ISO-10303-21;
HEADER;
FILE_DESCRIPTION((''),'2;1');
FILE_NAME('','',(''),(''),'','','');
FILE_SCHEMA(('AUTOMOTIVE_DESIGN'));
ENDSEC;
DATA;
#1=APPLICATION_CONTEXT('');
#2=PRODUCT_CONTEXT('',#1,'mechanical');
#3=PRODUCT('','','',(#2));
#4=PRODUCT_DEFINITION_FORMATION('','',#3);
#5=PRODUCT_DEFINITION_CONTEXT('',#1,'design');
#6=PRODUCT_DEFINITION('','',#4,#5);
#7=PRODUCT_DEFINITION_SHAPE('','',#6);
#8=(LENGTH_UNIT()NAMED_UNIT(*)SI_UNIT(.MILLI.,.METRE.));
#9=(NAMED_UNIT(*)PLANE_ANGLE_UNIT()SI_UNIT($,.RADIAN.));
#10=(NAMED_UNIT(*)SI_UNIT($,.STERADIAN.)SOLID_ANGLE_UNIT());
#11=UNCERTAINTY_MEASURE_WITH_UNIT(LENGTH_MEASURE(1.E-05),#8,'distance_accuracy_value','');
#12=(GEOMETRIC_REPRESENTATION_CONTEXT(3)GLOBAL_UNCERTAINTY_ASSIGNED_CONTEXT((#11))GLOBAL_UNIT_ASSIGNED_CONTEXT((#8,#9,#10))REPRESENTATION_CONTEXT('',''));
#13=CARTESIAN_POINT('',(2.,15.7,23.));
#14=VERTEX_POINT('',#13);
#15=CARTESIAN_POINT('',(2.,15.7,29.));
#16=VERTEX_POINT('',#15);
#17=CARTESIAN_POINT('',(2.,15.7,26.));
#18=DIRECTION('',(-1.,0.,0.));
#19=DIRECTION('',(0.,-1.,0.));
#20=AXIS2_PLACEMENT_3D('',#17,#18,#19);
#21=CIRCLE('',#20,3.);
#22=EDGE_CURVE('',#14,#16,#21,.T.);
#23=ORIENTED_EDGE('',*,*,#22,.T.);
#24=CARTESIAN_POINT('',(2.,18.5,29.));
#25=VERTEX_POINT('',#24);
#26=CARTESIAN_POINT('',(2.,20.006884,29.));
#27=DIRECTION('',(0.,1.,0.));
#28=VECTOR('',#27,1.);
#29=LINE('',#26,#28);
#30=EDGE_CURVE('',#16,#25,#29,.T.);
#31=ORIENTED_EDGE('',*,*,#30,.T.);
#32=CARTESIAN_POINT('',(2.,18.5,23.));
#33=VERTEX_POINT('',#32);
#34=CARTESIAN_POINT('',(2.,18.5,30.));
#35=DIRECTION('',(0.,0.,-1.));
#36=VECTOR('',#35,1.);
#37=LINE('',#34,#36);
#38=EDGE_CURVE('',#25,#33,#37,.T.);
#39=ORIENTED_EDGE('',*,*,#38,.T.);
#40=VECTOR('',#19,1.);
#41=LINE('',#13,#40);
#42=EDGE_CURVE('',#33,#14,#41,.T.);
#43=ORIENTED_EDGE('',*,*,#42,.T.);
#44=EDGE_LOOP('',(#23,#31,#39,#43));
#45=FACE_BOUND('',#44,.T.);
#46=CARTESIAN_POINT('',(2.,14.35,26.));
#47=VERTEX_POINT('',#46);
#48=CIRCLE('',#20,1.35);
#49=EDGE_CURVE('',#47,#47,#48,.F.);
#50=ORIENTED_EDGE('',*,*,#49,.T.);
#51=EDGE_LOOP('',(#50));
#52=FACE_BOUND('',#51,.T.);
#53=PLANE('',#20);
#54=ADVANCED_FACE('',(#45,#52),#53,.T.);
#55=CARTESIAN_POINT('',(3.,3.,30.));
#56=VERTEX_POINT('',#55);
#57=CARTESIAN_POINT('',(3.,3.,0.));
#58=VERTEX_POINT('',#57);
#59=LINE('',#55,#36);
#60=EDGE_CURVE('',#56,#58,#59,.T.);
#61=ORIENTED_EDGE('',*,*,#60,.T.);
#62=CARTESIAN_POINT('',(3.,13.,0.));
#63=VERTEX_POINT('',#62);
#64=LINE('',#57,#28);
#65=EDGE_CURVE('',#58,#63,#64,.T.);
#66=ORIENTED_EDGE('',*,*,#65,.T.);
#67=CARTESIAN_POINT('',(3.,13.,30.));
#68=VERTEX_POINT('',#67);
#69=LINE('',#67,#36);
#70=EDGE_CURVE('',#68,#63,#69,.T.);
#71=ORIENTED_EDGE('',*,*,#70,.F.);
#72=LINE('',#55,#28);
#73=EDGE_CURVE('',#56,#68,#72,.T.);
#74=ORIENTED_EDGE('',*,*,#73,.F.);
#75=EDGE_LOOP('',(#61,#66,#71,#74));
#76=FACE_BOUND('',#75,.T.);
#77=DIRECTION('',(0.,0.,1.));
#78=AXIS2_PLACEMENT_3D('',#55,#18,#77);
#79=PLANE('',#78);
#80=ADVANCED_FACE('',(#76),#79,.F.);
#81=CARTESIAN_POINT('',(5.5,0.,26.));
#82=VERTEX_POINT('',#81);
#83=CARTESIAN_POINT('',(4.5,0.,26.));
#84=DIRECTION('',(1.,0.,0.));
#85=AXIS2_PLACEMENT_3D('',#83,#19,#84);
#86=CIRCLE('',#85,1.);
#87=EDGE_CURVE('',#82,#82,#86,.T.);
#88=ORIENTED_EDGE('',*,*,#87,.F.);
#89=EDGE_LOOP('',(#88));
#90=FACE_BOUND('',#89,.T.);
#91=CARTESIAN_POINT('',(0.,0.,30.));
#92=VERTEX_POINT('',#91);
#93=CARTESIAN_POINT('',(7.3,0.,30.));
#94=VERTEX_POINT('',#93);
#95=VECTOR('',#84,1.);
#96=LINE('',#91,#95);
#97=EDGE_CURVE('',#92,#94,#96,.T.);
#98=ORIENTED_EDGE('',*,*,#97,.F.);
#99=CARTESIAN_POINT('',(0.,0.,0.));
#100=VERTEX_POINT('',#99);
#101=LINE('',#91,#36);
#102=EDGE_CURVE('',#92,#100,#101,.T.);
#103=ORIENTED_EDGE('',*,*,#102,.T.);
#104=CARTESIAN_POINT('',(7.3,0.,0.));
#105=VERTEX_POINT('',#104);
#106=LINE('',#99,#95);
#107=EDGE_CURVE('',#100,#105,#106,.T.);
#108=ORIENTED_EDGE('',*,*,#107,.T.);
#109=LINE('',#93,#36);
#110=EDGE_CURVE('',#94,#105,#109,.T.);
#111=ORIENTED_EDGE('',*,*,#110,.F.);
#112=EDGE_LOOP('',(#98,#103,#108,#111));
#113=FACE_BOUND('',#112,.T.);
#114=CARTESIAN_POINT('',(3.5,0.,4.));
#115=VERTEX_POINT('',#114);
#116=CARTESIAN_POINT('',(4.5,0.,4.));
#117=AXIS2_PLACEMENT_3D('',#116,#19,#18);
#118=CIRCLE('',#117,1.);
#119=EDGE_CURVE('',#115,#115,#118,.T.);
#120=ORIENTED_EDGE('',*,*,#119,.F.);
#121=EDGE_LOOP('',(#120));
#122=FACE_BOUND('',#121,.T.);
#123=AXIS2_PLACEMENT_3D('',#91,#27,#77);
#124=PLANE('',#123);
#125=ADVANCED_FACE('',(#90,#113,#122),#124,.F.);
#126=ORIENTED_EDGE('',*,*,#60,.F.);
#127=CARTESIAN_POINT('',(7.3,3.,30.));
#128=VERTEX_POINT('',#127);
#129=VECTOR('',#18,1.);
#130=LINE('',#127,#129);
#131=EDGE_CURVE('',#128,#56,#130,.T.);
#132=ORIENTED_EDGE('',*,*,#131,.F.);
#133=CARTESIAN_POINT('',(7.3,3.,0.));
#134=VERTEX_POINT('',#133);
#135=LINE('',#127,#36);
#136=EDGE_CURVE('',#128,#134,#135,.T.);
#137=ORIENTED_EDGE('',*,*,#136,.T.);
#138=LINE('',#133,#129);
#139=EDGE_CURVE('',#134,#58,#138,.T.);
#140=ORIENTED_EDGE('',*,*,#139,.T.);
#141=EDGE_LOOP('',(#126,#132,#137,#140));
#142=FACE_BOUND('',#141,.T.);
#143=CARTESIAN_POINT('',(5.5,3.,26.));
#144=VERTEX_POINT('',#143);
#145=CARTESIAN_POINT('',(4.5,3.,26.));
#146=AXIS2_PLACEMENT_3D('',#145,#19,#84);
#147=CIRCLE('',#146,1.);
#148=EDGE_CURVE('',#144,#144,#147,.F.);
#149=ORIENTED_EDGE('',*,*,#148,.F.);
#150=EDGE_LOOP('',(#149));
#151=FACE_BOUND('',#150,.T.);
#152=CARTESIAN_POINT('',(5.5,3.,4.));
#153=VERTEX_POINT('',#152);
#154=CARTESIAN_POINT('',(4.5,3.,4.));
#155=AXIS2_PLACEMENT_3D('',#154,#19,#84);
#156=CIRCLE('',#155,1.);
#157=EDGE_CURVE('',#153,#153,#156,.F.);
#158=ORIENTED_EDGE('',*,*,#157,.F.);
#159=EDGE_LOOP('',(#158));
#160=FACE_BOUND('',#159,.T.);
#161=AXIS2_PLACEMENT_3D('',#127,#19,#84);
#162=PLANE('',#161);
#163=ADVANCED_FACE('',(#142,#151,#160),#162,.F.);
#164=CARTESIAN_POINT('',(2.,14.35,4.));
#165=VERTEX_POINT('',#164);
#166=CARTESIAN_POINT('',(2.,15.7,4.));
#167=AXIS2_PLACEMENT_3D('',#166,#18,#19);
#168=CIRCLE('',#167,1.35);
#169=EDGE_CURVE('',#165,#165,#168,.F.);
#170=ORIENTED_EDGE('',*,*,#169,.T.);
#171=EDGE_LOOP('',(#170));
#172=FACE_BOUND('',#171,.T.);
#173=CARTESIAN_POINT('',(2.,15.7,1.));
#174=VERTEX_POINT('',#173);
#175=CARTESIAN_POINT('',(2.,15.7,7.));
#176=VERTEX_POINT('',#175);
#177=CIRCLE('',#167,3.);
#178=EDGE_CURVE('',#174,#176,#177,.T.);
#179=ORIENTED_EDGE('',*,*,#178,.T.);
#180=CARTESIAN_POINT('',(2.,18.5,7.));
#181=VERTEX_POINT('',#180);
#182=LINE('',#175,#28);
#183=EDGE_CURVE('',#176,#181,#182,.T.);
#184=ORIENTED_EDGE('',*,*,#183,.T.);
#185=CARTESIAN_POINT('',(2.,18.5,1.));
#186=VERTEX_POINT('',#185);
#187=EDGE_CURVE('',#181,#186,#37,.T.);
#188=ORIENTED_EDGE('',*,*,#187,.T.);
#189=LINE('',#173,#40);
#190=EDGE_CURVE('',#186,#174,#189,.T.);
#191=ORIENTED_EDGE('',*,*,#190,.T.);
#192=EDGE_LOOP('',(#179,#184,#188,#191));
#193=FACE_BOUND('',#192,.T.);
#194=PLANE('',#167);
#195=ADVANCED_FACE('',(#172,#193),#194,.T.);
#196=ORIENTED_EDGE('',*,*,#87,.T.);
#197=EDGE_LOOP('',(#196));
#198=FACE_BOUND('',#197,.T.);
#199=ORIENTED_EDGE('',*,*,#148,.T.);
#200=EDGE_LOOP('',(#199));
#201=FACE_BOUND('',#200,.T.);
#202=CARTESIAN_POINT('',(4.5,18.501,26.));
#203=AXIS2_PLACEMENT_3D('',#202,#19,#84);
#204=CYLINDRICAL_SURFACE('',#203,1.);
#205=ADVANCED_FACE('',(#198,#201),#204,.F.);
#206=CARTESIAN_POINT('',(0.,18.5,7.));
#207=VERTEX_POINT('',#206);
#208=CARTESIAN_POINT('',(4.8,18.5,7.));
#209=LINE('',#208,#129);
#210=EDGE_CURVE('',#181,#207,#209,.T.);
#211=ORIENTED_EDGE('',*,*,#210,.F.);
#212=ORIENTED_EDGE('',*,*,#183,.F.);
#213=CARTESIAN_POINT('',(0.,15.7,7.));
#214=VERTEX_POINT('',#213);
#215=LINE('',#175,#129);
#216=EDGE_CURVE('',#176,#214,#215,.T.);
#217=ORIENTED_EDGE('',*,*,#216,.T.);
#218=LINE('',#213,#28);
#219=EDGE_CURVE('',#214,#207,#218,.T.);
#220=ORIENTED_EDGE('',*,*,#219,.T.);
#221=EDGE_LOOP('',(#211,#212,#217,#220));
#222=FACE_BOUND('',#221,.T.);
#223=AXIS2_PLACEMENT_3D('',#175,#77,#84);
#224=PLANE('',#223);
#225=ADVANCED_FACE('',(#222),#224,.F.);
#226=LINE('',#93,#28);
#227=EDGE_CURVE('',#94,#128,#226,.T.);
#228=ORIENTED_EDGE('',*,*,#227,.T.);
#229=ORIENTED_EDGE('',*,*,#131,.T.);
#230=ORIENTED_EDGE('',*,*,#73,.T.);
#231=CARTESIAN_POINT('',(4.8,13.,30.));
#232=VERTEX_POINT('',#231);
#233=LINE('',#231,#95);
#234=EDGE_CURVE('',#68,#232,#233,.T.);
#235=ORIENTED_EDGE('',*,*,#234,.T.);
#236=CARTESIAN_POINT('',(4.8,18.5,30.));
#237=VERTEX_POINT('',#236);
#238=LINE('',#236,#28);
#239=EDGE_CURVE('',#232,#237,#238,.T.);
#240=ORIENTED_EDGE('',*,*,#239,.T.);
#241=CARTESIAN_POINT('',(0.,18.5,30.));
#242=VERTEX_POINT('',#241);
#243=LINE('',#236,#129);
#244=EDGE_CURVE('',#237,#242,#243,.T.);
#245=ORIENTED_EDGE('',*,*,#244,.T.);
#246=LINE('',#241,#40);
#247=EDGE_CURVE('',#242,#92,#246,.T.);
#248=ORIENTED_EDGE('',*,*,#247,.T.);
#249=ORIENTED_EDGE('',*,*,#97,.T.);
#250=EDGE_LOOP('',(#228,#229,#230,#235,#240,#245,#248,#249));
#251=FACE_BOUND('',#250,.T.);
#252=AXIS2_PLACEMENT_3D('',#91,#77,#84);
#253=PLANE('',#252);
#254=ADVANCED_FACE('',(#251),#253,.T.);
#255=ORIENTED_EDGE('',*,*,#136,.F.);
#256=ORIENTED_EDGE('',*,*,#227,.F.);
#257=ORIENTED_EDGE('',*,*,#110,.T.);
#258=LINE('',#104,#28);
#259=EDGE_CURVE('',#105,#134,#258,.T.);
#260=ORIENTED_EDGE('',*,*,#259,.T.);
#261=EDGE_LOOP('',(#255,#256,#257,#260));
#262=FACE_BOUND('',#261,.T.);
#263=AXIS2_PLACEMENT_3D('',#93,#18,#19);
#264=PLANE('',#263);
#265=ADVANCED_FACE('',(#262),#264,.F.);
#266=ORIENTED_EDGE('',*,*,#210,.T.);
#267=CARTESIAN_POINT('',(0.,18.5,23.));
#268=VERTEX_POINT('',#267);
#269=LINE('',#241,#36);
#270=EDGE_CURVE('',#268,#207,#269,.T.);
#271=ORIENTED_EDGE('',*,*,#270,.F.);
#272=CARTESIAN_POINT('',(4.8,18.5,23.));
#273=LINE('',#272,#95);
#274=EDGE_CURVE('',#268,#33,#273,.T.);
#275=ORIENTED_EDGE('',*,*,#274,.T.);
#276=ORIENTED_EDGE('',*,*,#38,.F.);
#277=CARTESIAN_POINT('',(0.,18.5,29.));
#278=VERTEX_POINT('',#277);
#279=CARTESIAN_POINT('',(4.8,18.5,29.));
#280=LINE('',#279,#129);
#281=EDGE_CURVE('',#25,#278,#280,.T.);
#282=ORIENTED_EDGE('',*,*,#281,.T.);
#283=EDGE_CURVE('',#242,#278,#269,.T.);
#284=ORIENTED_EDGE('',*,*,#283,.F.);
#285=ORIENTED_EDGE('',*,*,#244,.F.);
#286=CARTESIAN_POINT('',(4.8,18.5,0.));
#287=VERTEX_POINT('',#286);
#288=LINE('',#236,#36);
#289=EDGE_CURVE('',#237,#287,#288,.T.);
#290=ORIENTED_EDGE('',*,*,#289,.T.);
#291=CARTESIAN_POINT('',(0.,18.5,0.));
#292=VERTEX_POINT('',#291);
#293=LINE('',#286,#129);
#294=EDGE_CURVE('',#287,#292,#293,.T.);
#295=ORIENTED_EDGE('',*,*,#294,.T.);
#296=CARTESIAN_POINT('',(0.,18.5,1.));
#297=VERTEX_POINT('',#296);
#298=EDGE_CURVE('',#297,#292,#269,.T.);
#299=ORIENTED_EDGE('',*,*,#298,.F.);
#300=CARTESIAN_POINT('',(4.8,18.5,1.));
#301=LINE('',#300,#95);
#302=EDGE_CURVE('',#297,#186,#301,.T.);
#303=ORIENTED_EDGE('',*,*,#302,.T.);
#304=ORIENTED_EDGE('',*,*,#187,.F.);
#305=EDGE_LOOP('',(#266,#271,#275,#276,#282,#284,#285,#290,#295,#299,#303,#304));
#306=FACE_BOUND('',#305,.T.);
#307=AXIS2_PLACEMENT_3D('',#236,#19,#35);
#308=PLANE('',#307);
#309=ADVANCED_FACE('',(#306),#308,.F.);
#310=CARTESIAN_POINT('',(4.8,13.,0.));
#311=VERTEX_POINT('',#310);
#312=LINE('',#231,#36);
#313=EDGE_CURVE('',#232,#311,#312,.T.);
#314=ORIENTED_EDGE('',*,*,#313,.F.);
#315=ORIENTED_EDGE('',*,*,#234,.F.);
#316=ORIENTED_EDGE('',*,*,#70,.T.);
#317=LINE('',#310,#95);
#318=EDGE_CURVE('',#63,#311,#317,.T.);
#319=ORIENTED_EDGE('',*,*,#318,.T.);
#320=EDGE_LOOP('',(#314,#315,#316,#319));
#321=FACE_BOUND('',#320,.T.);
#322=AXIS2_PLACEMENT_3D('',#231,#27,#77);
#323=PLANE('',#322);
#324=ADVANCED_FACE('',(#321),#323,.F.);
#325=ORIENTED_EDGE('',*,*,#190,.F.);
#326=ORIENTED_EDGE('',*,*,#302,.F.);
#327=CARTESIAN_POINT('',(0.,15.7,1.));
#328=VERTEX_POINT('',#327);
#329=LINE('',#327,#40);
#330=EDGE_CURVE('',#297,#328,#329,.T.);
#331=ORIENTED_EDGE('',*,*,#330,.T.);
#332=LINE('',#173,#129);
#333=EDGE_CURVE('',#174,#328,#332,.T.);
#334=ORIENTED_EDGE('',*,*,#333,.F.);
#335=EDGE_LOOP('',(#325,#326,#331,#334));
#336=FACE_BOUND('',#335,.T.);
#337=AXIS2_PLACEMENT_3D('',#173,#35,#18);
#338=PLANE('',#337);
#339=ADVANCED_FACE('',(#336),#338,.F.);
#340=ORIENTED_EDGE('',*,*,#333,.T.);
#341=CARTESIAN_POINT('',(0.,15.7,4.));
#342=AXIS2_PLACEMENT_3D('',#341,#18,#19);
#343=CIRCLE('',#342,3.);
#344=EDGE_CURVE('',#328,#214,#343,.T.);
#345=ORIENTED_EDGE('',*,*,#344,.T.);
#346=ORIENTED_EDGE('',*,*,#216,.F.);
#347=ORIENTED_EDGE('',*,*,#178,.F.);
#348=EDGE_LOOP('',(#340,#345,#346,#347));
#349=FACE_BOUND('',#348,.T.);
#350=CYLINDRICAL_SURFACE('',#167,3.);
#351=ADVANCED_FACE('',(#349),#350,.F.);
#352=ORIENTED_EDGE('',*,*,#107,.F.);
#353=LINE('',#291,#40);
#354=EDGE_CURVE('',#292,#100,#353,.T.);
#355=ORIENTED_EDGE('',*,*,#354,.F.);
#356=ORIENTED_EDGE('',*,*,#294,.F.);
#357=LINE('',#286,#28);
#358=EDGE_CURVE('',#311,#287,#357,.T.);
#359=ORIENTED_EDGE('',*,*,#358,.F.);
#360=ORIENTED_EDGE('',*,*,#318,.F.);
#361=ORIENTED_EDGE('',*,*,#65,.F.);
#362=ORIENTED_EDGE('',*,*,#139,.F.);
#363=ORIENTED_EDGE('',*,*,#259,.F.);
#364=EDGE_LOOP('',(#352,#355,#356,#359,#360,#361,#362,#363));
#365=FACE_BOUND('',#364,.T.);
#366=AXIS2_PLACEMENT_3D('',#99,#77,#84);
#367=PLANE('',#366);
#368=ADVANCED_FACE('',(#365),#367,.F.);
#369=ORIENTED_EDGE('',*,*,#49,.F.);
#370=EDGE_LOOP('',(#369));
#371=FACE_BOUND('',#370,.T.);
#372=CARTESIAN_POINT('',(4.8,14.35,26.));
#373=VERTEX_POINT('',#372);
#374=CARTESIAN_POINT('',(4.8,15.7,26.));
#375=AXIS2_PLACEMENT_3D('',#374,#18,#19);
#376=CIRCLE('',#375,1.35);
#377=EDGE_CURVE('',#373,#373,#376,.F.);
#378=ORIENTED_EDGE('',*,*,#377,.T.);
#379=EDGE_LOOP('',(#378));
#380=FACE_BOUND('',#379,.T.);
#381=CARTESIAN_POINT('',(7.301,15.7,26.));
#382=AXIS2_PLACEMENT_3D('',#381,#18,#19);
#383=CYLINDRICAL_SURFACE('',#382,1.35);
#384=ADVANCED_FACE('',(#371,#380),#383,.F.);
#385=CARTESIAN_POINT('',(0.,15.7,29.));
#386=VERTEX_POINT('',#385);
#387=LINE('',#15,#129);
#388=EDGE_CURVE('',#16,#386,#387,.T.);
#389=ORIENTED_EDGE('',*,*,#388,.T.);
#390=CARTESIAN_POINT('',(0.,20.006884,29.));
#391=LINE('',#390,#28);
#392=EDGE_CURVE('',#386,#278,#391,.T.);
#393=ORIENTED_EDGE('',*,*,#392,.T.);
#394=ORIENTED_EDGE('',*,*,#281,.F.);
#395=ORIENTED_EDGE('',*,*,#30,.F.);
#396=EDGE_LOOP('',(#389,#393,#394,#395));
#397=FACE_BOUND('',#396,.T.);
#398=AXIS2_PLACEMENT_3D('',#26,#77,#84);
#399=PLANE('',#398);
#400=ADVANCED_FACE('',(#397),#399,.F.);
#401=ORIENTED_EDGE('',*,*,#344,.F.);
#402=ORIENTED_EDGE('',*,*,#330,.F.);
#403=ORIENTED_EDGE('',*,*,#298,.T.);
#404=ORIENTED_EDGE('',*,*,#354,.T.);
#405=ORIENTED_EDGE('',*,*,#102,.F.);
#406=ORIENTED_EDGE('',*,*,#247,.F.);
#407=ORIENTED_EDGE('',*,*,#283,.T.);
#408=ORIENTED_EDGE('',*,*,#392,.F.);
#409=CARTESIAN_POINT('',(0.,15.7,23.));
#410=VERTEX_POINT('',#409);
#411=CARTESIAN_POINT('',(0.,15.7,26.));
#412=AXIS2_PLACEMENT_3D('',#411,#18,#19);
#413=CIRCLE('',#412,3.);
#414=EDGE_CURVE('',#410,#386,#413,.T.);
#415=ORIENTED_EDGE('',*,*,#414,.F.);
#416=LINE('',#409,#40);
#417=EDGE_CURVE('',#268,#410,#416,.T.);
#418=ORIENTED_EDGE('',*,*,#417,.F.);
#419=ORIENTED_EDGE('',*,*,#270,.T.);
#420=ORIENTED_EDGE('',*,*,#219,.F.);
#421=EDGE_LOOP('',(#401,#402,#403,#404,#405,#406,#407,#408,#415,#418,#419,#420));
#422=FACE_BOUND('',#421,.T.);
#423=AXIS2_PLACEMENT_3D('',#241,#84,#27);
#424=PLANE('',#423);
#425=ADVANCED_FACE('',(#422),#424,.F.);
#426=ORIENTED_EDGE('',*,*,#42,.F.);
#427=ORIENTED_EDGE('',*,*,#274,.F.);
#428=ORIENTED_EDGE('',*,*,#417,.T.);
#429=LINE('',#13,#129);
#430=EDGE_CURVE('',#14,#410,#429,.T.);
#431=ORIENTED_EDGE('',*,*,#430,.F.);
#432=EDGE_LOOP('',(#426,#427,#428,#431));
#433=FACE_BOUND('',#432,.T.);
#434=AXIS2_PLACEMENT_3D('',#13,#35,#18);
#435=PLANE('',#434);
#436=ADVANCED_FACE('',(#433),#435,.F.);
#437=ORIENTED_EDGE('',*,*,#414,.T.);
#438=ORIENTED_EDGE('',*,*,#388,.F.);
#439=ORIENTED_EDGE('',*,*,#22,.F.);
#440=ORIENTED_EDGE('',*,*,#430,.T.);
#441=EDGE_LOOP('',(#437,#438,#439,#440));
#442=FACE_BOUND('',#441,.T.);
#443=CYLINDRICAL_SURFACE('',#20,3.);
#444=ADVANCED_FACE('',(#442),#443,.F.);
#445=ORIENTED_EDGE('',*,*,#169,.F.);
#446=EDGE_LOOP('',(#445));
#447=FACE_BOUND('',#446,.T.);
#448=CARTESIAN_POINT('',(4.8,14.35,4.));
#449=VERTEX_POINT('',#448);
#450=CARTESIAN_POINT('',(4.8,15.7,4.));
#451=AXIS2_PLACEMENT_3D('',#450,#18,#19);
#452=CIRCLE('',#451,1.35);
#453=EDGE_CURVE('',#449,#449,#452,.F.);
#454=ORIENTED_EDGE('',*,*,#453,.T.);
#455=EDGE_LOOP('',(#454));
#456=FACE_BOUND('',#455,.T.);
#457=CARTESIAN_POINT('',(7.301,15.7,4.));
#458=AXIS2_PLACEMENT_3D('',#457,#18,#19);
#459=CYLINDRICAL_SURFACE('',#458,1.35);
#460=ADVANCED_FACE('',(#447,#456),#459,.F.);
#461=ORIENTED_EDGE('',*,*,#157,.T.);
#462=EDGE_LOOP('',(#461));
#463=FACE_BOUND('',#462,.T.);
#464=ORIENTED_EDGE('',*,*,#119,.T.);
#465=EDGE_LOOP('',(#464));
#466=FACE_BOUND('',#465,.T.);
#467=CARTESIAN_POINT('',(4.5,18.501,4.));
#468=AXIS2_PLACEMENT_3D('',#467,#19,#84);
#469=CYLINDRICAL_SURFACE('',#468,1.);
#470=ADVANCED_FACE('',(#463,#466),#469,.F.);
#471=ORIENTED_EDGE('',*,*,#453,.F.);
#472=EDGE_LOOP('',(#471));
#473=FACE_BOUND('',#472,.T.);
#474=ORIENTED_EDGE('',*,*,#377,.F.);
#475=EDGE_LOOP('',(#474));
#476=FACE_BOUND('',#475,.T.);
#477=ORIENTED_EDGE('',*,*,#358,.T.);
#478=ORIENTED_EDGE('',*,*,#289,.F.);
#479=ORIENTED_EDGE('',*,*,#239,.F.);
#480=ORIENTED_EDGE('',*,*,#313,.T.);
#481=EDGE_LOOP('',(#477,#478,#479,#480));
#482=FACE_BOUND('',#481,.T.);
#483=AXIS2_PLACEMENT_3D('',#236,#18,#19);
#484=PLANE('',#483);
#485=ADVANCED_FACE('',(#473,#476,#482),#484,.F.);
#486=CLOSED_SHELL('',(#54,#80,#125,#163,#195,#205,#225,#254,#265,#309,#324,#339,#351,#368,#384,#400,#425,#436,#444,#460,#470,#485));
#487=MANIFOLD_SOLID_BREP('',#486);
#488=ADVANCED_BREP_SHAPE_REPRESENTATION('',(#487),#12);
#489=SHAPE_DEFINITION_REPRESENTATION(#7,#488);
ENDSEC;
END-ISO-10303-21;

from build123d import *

# Parameters (mm, degrees)
EXTRUDE_1_DEPTH     = 30
CUT_EXTRUDE_1_REACH = 37.994
SKETCH_2_R          = 1
CUT_EXTRUDE_2_REACH = 37.994
SKETCH_3_R          = 1.35
CUT_EXTRUDE_3_DEPTH = 2


with BuildPart() as part:
    # 草图1 → 凸台-拉伸1 (new body)
    with BuildSketch(Plane.XY):
        Polygon((0, 0), (7.3, 0), (7.3, 3), (3, 3), (3, 13), (4.8, 13), (4.8, 18.5), (0, 18.5), align=None)
    extrude(amount=EXTRUDE_1_DEPTH)

    # 草图2 → 切除-拉伸1 (cut, up to next)
    with BuildSketch(Plane.XZ, mode=Mode.PRIVATE) as cut_extrude_1_sk1:
        with Locations((4.5, 26)):
            Circle(SKETCH_2_R)
    cut_extrude_1_tool1 = extrude(cut_extrude_1_sk1.sketch, amount=-CUT_EXTRUDE_1_REACH, mode=Mode.PRIVATE) & part.part
    # 草图2 → 切除-拉伸1 (cut, up to next)
    with BuildSketch(Plane.XZ, mode=Mode.PRIVATE) as cut_extrude_1_sk2:
        with Locations((4.5, 4)):
            Circle(SKETCH_2_R)
    cut_extrude_1_tool2 = extrude(cut_extrude_1_sk2.sketch, amount=-CUT_EXTRUDE_1_REACH, mode=Mode.PRIVATE) & part.part
    add(cut_extrude_1_tool1.solids().sort_by_distance((4.5, 0, 26))[0], mode=Mode.SUBTRACT)
    add(cut_extrude_1_tool2.solids().sort_by_distance((4.5, 0, 4))[0], mode=Mode.SUBTRACT)

    # 草图3 → 切除-拉伸2 (cut, up to next)
    with BuildSketch(Plane.ZY, mode=Mode.PRIVATE) as cut_extrude_2_sk1:
        with Locations(Location((4, 15.7, 0), (0, 0, 270))):
            Circle(SKETCH_3_R)
    cut_extrude_2_tool1 = extrude(cut_extrude_2_sk1.sketch, amount=-CUT_EXTRUDE_2_REACH, mode=Mode.PRIVATE) & part.part
    # 草图3 → 切除-拉伸2 (cut, up to next)
    with BuildSketch(Plane.ZY, mode=Mode.PRIVATE) as cut_extrude_2_sk2:
        with Locations(Location((26, 15.7, 0), (0, 0, 270))):
            Circle(SKETCH_3_R)
    cut_extrude_2_tool2 = extrude(cut_extrude_2_sk2.sketch, amount=-CUT_EXTRUDE_2_REACH, mode=Mode.PRIVATE) & part.part
    add(cut_extrude_2_tool1.solids().sort_by_distance((0, 15.7, 4))[0], mode=Mode.SUBTRACT)
    add(cut_extrude_2_tool2.solids().sort_by_distance((0, 15.7, 26))[0], mode=Mode.SUBTRACT)

    # 草图4 → 切除-拉伸3 (cut)
    with BuildSketch(Plane.ZY):
        with BuildLine():
            Line((1, 15.7), (1, 18.7))
            Line((1, 18.7), (7, 18.7))
            Line((7, 18.7), (7, 15.7))
            ThreePointArc((7, 15.7), (4, 12.7), (1, 15.7))
        make_face()
        with BuildLine():
            Line((23, 15.7), (23, 20.006883846))
            Line((23, 20.006883846), (29, 20.006883846))
            Line((29, 20.006883846), (29, 15.7))
            ThreePointArc((29, 15.7), (26, 12.7), (23, 15.7))
        make_face()
    extrude(amount=-CUT_EXTRUDE_3_DEPTH, mode=Mode.SUBTRACT)


solid = part.part
